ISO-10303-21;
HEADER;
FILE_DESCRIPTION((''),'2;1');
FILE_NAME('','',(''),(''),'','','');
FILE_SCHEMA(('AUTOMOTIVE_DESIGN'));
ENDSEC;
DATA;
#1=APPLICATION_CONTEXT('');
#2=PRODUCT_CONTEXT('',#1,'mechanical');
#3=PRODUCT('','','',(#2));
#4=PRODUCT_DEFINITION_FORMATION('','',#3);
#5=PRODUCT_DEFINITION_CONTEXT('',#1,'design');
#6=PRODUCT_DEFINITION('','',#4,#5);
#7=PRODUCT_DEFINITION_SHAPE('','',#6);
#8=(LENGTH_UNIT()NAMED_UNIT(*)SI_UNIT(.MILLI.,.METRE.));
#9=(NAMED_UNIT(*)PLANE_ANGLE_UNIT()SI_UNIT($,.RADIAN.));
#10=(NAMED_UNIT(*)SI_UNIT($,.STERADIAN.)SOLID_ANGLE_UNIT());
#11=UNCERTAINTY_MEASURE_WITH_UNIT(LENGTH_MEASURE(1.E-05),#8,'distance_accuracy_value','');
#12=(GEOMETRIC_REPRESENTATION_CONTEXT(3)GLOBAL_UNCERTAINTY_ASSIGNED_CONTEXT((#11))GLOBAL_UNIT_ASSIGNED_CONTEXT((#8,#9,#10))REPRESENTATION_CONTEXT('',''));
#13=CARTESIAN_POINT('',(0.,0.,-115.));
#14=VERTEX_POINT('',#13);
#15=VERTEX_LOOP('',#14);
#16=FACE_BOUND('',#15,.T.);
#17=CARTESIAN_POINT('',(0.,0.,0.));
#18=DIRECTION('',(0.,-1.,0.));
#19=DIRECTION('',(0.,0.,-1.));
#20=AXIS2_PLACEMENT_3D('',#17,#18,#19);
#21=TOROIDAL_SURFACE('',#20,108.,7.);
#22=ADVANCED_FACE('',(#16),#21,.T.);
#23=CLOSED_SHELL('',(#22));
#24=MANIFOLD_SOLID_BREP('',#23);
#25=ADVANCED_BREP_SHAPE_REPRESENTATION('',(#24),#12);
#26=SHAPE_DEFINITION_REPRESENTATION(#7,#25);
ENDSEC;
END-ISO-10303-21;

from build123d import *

# Parameters (mm, degrees)
SKETCH_1_R = 7


with BuildPart() as part:
    # 草图1 → 旋转1 (revolve)
    with BuildSketch(Plane.XY):
        with Locations((108, 0)):
            Circle(SKETCH_1_R)
    revolve(axis=Axis((0, 0, 0), (0, 1, 0)))


solid = part.part
